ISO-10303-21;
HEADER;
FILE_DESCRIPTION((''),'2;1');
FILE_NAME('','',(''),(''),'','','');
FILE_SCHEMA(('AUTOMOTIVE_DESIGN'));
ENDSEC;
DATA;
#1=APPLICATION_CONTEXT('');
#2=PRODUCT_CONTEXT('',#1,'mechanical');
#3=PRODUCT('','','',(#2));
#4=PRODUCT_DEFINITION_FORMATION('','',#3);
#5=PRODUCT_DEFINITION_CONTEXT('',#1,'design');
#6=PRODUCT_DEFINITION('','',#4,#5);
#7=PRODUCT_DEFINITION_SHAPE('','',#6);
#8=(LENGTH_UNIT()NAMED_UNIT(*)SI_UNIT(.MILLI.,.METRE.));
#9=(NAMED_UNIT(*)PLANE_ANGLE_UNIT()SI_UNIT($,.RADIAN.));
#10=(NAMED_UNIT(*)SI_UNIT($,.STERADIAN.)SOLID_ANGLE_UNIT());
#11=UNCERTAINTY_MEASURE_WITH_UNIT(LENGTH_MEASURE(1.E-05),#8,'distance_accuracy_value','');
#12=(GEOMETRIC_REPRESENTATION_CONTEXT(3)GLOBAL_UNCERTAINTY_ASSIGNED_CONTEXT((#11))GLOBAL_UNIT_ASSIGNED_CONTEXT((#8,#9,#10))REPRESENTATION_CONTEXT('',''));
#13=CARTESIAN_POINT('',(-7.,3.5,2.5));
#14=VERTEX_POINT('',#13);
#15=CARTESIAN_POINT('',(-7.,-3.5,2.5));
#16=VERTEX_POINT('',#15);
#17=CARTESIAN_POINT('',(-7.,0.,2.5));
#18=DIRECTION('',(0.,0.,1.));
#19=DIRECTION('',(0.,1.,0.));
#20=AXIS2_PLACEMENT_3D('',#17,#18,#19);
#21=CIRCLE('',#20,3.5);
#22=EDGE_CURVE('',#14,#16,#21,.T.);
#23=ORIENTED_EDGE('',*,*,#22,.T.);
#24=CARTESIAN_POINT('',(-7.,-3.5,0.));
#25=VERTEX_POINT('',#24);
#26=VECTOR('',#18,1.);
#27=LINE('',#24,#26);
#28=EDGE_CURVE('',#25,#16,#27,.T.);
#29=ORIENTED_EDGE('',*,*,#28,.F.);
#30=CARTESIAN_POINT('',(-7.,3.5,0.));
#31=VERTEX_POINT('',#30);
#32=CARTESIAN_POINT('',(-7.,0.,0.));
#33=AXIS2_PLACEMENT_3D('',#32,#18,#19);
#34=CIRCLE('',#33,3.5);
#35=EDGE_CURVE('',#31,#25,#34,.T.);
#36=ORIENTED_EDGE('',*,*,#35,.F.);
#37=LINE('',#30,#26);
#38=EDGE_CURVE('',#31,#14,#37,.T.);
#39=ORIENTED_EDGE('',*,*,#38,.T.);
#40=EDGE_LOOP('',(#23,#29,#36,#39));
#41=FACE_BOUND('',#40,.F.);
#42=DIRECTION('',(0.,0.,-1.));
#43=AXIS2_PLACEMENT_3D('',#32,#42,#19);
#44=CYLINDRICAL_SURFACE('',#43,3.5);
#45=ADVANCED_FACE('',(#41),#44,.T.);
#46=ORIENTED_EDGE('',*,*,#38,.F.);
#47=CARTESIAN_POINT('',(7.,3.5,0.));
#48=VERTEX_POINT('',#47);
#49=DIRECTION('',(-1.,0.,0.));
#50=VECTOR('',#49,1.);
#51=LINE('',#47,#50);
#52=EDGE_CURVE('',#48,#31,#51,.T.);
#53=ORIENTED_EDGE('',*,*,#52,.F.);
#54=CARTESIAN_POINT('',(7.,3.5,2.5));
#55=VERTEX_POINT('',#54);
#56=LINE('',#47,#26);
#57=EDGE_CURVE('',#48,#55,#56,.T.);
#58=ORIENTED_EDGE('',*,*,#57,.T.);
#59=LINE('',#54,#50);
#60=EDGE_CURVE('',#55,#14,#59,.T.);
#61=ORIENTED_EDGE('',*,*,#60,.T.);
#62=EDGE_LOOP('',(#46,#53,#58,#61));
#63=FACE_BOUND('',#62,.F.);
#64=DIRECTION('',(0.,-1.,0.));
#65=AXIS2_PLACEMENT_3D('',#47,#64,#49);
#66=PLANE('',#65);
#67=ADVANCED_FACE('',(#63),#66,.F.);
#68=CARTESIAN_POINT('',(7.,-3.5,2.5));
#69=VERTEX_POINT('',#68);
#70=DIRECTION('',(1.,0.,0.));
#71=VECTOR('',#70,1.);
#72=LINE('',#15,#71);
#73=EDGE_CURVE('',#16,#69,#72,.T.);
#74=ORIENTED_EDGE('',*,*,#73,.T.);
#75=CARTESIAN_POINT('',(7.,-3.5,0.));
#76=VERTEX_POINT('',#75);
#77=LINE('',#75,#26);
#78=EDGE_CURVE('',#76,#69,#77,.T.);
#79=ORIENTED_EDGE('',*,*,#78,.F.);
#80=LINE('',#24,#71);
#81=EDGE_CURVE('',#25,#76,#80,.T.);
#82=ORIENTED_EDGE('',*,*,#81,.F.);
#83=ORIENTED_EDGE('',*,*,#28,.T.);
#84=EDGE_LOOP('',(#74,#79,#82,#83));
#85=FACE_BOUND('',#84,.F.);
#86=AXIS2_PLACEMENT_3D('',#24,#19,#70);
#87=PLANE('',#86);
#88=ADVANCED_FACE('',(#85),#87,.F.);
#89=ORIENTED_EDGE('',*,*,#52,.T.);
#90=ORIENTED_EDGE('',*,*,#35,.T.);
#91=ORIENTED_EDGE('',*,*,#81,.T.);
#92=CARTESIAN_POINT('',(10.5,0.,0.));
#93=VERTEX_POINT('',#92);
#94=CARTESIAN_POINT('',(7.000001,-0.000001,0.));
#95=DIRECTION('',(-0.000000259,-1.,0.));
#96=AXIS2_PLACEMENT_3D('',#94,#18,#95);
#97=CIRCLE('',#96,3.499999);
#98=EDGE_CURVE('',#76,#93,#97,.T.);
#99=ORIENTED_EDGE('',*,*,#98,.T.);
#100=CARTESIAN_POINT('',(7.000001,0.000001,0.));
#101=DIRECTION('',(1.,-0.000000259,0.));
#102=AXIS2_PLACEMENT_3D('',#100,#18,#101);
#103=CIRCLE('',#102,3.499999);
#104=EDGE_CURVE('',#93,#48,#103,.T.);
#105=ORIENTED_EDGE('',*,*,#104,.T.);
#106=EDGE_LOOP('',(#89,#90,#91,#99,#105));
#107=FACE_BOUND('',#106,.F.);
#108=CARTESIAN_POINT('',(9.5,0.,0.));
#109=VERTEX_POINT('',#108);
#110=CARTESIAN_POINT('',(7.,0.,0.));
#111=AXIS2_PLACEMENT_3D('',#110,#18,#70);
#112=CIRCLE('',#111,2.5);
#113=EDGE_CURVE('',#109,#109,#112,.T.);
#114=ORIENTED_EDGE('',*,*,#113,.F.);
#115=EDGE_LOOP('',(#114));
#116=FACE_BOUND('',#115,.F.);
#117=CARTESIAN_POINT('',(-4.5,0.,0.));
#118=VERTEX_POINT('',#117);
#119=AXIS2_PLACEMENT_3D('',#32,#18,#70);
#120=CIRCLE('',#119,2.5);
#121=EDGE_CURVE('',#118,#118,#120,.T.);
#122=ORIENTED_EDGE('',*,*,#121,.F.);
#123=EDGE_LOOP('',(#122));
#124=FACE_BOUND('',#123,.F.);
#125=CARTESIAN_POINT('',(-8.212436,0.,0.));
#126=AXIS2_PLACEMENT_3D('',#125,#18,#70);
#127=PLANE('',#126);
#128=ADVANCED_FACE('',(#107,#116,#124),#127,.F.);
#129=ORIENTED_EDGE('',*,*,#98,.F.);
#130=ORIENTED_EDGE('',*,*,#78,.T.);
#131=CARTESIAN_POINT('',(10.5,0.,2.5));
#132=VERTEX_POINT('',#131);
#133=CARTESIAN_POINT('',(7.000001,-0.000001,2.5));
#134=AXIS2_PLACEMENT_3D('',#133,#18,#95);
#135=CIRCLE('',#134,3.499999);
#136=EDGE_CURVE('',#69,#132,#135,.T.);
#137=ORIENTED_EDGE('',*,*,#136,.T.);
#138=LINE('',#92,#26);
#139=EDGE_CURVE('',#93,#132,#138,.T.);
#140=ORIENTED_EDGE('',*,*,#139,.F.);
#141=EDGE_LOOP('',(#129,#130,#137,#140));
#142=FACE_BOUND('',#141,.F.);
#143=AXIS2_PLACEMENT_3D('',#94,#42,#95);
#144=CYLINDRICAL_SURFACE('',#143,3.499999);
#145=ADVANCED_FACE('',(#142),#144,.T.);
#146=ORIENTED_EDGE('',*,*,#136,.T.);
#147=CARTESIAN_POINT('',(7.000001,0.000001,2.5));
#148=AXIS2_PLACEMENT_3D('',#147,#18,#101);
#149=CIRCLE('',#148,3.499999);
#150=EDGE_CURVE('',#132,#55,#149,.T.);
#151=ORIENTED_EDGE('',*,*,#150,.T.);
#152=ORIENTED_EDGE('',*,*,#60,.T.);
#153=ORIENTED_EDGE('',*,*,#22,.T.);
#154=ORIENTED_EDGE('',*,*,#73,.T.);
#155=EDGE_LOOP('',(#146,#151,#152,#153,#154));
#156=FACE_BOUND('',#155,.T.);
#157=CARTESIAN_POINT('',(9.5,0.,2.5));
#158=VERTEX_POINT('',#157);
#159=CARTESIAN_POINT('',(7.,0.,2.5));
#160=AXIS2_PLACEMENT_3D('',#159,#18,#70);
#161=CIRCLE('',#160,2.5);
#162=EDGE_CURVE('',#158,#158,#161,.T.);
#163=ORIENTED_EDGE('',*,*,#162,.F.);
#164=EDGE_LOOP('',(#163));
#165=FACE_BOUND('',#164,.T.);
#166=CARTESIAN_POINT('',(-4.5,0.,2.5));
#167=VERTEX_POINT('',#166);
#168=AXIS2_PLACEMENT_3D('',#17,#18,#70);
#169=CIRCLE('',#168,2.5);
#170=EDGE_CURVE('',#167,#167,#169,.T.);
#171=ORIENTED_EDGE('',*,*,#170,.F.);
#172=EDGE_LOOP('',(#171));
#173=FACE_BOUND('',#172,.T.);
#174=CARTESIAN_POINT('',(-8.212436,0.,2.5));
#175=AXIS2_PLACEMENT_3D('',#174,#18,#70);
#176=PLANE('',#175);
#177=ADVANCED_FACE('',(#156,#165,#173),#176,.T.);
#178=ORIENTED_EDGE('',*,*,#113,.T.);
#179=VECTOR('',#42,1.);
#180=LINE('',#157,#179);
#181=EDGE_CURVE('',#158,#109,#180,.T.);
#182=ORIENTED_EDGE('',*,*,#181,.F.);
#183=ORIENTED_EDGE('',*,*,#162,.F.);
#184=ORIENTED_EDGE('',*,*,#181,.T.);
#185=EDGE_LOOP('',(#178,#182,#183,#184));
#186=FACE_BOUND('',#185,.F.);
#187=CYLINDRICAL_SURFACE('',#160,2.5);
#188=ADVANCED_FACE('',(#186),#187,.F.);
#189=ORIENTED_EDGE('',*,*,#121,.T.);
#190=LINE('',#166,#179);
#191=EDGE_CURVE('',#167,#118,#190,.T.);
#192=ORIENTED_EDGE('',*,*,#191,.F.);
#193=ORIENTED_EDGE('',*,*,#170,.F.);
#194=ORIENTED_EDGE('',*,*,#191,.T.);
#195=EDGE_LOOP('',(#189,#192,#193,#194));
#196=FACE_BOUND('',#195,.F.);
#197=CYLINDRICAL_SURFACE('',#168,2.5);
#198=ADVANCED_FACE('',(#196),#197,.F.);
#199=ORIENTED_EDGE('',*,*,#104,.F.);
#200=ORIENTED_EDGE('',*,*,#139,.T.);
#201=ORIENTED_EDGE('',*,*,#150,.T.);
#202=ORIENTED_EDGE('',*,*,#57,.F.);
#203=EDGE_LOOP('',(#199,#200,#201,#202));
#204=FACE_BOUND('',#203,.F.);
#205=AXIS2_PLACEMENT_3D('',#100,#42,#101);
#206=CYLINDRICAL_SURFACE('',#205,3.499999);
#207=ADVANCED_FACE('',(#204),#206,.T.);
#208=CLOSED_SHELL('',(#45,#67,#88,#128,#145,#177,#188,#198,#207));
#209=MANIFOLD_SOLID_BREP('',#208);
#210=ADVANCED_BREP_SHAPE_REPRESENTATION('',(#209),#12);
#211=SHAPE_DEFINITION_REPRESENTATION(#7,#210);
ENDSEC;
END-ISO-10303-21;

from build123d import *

# Parameters (mm, degrees)
F1_DEPTH = 2.5
F2_R     = 2.5
F3_DEPTH = 25


with BuildPart() as f1:
    # F0 (on Top) → F1 (new body)
    with BuildSketch(Plane.XY):
        with BuildLine():
            Line((-7, -3.5), (-7, 3.5))
            ThreePointArc((-7, 3.5), (-10.5, 0), (-7, -3.5))
        make_face()
        with BuildLine():
            ThreePointArc((-7, -3.5), (-4.525126, -2.474874), (-3.5, 0))
            ThreePointArc((-3.5, 0), (-4.525126, 2.474874), (-7, 3.5))
            Line((-7, 3.5), (-7, -3.5))
        make_face()
        with BuildLine():
            ThreePointArc((-7, 3.5), (-4.525126, 2.474874), (-3.5, 0))
            ThreePointArc((-3.5, 0), (-4.525126, -2.474874), (-7, -3.5))
            Line((-7, -3.5), (0, -3.5))
            Line((0, -3.5), (0, 3.5))
            Line((0, 3.5), (-7, 3.5))
        make_face()
        with BuildLine():
            Line((7, 3.5), (0, 3.5))
            Line((0, 3.5), (0, -3.5))
            Line((0, -3.5), (7, -3.5))
            ThreePointArc((7, -3.5), (3.5, 0), (7, 3.5))
        make_face()
        with BuildLine():
            ThreePointArc((10.5, 0), (9.474874, 2.474874), (7, 3.5))
            ThreePointArc((7, 3.5), (3.5, 0), (7, -3.5))
            ThreePointArc((7, -3.5), (9.474874, -2.474874), (10.5, 0))
        make_face()
    extrude(amount=F1_DEPTH)

    # F2 (on face) → F3 (cut)
    with BuildSketch(Plane.XY.offset(2.5)):
        with Locations((-7, 0)):
            Circle(F2_R)
        with Locations((7, 0)):
            Circle(F2_R)
    extrude(amount=-F3_DEPTH, mode=Mode.SUBTRACT)


solid = f1.part
